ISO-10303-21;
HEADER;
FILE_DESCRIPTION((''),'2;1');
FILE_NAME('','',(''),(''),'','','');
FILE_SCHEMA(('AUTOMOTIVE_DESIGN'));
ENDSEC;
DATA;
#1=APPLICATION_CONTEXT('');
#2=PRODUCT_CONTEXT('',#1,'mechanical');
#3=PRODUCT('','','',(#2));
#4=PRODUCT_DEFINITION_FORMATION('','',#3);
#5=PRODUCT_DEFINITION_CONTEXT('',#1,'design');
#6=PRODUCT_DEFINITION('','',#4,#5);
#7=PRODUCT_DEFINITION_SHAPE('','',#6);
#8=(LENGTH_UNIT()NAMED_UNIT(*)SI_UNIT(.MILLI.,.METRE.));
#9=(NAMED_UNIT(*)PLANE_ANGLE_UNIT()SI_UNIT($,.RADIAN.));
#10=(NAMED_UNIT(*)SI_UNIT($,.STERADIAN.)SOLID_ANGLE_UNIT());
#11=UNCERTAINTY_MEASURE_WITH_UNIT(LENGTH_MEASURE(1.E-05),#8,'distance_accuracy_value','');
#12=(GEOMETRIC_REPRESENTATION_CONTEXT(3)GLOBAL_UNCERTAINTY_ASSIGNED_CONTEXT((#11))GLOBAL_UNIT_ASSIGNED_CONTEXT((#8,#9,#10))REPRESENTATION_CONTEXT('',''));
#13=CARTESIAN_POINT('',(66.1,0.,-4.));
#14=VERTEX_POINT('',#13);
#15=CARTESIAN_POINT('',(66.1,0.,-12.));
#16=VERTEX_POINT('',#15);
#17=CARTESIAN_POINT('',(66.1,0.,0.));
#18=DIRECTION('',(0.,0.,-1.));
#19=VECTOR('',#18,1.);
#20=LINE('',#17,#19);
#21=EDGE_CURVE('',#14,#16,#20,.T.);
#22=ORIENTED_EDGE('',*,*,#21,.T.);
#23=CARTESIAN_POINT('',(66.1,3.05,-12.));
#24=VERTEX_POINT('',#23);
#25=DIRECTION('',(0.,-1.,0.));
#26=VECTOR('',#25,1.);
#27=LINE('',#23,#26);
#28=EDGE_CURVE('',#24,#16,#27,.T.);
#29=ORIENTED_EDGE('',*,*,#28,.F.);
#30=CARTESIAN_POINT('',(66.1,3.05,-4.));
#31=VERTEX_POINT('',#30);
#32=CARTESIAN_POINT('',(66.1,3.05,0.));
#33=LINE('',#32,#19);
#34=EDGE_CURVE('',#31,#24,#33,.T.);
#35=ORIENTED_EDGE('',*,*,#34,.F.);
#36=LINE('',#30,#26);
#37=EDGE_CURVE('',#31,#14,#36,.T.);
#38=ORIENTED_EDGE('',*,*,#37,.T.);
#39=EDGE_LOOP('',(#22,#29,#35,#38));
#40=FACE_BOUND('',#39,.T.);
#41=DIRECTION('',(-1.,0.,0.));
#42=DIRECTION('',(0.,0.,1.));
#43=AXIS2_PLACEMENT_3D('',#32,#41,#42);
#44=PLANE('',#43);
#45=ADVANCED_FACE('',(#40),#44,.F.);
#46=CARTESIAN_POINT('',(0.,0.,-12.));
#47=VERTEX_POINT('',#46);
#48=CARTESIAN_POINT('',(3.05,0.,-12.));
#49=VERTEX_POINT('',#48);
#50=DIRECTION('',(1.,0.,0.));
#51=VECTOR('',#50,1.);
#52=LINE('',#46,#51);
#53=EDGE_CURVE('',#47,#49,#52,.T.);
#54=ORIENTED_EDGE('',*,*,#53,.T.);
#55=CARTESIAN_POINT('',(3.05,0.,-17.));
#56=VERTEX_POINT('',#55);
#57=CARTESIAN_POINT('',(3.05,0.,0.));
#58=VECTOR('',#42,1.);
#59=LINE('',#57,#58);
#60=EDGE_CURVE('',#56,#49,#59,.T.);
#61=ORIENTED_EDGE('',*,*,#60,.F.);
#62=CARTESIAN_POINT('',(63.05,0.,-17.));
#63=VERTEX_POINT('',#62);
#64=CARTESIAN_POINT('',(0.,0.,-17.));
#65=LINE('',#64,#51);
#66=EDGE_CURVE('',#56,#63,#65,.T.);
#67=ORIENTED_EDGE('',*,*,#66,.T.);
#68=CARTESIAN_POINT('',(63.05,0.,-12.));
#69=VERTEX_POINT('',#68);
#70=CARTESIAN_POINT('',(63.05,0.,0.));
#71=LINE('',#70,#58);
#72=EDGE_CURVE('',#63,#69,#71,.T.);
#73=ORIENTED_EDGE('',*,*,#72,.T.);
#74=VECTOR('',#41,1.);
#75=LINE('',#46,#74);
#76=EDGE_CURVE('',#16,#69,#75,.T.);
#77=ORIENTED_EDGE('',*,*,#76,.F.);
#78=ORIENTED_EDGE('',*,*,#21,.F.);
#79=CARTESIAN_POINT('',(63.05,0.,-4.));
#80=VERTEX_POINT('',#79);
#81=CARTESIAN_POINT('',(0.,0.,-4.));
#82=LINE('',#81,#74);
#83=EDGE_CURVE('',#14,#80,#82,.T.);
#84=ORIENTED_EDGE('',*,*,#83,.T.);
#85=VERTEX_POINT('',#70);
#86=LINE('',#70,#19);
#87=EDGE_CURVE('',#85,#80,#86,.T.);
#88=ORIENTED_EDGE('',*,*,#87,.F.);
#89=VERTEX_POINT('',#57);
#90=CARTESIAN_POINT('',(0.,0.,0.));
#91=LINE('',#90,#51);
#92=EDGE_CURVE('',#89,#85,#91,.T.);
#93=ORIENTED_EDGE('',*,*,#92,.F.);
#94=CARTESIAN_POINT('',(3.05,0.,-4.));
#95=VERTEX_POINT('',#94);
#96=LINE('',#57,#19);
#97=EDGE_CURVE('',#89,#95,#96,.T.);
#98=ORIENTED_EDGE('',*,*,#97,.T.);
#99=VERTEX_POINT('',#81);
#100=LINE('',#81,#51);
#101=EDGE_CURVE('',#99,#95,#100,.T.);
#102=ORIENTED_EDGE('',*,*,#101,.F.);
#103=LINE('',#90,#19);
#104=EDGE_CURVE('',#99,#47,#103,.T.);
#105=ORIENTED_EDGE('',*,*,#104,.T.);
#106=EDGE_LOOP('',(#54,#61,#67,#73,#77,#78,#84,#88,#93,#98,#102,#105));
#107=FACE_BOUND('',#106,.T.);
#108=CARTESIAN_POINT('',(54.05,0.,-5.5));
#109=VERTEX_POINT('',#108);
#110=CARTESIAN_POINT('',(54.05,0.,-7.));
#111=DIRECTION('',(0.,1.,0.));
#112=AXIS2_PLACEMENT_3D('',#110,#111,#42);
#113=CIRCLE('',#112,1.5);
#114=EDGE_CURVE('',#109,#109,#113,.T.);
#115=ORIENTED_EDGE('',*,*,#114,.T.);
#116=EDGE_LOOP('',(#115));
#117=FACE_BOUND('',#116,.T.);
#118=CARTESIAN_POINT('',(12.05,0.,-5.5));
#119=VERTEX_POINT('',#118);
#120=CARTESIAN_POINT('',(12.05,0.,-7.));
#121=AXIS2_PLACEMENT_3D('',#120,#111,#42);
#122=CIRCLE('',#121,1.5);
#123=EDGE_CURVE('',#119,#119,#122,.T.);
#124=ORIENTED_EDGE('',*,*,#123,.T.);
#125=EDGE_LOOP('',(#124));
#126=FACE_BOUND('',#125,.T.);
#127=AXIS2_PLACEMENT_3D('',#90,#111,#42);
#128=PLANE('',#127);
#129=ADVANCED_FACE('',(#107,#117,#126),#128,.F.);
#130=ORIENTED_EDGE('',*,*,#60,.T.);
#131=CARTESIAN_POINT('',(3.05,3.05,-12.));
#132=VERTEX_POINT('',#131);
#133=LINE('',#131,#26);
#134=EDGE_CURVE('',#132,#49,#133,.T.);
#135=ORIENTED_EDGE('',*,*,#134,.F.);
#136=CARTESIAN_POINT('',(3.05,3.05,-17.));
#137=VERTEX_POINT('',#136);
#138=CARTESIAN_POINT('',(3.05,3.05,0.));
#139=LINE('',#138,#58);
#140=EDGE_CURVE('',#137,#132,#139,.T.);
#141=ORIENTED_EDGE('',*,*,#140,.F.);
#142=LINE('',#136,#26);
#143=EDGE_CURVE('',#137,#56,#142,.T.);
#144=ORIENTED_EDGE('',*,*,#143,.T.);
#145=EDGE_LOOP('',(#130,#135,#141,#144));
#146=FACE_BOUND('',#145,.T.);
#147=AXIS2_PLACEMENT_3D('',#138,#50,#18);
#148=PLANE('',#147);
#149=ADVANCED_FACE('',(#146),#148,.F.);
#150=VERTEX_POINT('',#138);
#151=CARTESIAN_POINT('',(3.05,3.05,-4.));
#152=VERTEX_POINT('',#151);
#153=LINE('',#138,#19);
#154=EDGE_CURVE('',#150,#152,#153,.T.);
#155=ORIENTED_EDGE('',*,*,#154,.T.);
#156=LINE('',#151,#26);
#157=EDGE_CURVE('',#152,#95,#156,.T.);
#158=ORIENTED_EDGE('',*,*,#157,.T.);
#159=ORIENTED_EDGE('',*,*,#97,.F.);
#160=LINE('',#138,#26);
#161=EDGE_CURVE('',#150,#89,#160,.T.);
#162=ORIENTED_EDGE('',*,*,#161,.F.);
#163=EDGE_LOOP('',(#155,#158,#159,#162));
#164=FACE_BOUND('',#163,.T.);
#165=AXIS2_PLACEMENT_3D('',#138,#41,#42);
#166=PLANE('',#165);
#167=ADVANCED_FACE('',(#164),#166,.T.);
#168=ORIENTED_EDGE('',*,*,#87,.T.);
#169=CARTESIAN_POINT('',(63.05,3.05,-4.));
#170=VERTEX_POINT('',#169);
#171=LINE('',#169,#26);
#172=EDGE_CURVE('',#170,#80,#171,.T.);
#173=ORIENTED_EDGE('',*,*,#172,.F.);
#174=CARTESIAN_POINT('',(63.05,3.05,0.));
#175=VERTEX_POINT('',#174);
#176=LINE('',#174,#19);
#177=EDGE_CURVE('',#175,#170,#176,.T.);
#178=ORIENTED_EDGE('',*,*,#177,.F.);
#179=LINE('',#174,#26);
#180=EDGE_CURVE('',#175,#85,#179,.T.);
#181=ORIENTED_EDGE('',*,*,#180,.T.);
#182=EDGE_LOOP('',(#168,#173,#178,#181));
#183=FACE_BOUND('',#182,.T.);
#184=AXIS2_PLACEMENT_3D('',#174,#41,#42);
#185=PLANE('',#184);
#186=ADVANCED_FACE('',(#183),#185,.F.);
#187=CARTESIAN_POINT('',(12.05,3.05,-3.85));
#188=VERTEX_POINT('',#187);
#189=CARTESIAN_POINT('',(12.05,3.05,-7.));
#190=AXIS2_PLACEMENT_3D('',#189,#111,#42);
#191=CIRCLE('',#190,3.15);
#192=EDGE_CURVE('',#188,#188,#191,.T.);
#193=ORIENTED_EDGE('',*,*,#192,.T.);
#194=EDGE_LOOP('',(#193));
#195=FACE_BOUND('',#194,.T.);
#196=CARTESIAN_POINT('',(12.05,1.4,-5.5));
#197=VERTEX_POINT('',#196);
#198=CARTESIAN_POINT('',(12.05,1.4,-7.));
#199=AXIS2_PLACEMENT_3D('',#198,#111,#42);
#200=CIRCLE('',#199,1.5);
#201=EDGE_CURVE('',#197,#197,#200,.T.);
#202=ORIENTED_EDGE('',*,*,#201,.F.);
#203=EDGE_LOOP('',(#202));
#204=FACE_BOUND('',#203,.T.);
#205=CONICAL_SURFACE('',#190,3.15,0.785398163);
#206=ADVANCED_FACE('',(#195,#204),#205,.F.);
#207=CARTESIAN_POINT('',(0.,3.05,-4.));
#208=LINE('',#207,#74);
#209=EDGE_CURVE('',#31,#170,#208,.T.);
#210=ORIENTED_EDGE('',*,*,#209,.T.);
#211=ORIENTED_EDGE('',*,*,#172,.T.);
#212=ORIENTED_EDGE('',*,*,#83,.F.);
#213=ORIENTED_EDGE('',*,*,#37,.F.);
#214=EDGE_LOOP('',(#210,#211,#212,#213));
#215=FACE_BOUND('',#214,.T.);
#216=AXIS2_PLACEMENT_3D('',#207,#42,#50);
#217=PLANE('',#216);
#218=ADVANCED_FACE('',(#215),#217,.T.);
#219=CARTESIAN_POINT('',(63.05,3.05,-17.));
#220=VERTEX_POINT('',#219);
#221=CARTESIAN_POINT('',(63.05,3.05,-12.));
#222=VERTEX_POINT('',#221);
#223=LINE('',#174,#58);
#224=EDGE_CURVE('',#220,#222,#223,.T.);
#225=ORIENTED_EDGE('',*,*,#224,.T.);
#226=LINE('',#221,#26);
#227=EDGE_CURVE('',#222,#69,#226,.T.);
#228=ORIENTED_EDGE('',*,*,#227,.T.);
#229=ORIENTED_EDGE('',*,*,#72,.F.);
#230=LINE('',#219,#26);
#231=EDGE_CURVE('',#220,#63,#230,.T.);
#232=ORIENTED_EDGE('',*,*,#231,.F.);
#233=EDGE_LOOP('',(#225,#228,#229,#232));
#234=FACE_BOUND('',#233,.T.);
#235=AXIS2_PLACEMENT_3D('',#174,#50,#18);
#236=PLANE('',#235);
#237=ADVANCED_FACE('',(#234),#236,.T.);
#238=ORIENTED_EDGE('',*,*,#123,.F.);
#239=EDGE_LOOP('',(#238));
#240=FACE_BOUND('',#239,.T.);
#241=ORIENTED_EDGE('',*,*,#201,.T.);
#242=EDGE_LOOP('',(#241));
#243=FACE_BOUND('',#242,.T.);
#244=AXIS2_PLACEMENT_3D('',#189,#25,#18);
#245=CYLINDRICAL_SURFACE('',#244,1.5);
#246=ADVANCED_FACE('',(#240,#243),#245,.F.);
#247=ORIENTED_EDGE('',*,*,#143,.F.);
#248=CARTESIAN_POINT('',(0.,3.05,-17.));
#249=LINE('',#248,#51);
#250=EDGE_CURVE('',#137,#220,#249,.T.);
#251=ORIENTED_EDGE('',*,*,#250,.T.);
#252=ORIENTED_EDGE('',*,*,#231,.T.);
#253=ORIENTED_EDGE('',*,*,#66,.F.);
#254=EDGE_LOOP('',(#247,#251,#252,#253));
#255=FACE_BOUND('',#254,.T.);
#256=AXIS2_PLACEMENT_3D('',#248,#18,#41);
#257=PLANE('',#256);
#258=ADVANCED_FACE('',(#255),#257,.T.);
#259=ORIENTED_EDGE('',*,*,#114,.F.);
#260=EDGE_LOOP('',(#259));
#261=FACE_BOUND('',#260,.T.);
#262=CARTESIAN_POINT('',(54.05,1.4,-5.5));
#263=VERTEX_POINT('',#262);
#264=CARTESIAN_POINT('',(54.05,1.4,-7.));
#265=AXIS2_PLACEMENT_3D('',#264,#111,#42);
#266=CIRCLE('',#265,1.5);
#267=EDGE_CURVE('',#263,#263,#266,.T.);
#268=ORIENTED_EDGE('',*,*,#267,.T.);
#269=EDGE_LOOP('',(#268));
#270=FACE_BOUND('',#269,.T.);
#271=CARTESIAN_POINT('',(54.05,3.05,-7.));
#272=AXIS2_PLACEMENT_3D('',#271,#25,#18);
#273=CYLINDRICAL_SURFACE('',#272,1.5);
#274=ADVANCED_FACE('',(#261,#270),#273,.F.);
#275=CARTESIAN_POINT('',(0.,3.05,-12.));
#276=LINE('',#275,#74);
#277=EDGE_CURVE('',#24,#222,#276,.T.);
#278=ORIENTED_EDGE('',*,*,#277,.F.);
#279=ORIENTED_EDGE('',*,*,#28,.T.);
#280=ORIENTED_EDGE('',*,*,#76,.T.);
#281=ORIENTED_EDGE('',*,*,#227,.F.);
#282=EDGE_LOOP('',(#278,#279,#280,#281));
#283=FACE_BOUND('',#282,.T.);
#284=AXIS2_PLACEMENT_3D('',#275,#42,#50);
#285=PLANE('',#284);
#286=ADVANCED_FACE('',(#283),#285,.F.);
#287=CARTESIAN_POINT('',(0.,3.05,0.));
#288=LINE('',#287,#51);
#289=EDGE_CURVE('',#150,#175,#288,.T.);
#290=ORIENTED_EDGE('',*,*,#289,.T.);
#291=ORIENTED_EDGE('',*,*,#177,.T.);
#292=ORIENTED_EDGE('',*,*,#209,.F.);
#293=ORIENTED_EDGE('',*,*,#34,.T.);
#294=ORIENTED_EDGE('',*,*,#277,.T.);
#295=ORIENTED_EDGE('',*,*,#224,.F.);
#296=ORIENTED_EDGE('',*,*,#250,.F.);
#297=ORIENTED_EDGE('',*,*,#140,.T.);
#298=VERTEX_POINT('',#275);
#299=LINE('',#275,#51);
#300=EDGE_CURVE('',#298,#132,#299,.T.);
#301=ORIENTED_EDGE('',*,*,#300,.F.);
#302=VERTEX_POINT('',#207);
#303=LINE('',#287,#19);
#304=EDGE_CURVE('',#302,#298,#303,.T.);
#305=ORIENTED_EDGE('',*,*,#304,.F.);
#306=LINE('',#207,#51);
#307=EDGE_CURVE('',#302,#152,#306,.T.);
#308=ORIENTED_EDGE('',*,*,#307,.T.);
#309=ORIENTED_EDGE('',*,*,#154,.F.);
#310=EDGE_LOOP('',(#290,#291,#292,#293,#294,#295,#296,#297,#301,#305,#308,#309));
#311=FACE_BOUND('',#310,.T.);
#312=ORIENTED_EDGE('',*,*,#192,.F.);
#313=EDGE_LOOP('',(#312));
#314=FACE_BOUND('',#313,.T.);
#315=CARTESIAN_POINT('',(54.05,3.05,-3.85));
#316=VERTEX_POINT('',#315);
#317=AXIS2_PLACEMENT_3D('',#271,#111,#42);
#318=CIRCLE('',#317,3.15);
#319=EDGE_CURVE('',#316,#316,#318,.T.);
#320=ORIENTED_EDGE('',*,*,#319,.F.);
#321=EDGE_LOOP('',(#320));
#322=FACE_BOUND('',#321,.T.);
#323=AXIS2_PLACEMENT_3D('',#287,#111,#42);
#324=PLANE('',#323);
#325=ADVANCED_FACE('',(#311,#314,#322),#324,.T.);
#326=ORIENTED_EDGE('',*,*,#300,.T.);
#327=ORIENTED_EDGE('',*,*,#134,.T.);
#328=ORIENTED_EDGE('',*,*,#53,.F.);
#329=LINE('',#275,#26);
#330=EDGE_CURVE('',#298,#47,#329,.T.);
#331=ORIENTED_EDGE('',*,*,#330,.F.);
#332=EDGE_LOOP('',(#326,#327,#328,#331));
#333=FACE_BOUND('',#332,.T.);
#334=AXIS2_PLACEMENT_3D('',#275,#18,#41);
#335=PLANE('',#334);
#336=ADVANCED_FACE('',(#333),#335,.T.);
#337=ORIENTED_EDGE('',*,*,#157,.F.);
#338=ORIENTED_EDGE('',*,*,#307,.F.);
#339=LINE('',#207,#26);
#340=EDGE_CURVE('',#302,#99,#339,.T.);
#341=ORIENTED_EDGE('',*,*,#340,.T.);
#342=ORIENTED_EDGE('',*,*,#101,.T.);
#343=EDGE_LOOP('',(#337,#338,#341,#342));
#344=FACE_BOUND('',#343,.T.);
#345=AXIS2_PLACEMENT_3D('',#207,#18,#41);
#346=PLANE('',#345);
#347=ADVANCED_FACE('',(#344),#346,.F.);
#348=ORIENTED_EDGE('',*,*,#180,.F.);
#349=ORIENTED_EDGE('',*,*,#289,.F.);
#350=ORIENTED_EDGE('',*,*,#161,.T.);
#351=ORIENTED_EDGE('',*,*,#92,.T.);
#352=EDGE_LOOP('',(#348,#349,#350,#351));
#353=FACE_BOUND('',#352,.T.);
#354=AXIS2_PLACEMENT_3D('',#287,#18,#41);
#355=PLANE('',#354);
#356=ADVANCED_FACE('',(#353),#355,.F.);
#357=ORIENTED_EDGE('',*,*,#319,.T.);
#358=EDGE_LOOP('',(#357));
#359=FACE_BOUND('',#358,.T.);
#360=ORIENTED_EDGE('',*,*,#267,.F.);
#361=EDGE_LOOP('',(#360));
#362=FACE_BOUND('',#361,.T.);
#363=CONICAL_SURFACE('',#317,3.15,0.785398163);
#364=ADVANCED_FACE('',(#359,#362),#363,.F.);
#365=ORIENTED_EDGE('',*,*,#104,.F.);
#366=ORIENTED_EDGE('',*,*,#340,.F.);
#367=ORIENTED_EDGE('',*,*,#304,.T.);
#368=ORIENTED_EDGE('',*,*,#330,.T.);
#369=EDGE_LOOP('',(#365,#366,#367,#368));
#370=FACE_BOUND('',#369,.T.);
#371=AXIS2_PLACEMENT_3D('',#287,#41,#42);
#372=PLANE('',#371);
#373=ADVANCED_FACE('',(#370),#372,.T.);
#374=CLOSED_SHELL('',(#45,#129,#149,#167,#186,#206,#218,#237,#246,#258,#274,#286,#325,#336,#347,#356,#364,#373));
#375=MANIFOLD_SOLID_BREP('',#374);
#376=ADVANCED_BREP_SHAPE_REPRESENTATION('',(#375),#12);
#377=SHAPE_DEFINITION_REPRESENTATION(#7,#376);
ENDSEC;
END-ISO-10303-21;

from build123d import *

# Parameters (mm, degrees)
SKETCH1_R           = 1.5
BOSS_EXTRUDE1_DEPTH = 3.05


with BuildPart() as part:
    # Sketch1 → Boss-Extrude1 (new body)
    with BuildSketch(Plane(origin=(0, 0, 0), x_dir=(1, 0, 0), z_dir=(0, 1, 0))):
        Polygon((3.05, 17), (3.05, 12), (0, 12), (0, 4), (3.05, 4), (3.05, 0), (63.05, 0), (63.05, 4), (66.1, 4), (66.1, 12), (63.05, 12), (63.05, 17), align=None)
        with Locations(Location((54.05, 7, 0), (0, 0, 270))):
            Circle(SKETCH1_R, mode=Mode.SUBTRACT)
        with Locations(Location((12.05, 7, 0), (0, 0, 270))):
            Circle(SKETCH1_R, mode=Mode.SUBTRACT)
    extrude(amount=BOSS_EXTRUDE1_DEPTH)

    # Sketch5 → CSK for M3 Flat Head Machine Screw1 (revolve, cut)
    with BuildSketch(Plane(origin=(12.05, 3.05, -7), x_dir=(0, 0, 1), z_dir=(1, 0, 0))):
        Polygon((0, 0), (0, 3.05), (1.5, 3.05), (1.5, 1.65), (3.15, 0), align=None)
    revolve(axis=Axis((12.05, 9.4, -7), (0, -1, 0)), mode=Mode.SUBTRACT)

    # Sketch7 → CSK for M3 Flat Head Machine Screw2 (revolve, cut)
    with BuildSketch(Plane(origin=(54.05, 3.05, -7), x_dir=(0, 0, 1), z_dir=(1, 0, 0))):
        Polygon((0, 0), (0, 3.05), (1.5, 3.05), (1.5, 1.65), (3.15, 0), align=None)
    revolve(axis=Axis((54.05, 9.4, -7), (0, -1, 0)), mode=Mode.SUBTRACT)


solid = part.part
